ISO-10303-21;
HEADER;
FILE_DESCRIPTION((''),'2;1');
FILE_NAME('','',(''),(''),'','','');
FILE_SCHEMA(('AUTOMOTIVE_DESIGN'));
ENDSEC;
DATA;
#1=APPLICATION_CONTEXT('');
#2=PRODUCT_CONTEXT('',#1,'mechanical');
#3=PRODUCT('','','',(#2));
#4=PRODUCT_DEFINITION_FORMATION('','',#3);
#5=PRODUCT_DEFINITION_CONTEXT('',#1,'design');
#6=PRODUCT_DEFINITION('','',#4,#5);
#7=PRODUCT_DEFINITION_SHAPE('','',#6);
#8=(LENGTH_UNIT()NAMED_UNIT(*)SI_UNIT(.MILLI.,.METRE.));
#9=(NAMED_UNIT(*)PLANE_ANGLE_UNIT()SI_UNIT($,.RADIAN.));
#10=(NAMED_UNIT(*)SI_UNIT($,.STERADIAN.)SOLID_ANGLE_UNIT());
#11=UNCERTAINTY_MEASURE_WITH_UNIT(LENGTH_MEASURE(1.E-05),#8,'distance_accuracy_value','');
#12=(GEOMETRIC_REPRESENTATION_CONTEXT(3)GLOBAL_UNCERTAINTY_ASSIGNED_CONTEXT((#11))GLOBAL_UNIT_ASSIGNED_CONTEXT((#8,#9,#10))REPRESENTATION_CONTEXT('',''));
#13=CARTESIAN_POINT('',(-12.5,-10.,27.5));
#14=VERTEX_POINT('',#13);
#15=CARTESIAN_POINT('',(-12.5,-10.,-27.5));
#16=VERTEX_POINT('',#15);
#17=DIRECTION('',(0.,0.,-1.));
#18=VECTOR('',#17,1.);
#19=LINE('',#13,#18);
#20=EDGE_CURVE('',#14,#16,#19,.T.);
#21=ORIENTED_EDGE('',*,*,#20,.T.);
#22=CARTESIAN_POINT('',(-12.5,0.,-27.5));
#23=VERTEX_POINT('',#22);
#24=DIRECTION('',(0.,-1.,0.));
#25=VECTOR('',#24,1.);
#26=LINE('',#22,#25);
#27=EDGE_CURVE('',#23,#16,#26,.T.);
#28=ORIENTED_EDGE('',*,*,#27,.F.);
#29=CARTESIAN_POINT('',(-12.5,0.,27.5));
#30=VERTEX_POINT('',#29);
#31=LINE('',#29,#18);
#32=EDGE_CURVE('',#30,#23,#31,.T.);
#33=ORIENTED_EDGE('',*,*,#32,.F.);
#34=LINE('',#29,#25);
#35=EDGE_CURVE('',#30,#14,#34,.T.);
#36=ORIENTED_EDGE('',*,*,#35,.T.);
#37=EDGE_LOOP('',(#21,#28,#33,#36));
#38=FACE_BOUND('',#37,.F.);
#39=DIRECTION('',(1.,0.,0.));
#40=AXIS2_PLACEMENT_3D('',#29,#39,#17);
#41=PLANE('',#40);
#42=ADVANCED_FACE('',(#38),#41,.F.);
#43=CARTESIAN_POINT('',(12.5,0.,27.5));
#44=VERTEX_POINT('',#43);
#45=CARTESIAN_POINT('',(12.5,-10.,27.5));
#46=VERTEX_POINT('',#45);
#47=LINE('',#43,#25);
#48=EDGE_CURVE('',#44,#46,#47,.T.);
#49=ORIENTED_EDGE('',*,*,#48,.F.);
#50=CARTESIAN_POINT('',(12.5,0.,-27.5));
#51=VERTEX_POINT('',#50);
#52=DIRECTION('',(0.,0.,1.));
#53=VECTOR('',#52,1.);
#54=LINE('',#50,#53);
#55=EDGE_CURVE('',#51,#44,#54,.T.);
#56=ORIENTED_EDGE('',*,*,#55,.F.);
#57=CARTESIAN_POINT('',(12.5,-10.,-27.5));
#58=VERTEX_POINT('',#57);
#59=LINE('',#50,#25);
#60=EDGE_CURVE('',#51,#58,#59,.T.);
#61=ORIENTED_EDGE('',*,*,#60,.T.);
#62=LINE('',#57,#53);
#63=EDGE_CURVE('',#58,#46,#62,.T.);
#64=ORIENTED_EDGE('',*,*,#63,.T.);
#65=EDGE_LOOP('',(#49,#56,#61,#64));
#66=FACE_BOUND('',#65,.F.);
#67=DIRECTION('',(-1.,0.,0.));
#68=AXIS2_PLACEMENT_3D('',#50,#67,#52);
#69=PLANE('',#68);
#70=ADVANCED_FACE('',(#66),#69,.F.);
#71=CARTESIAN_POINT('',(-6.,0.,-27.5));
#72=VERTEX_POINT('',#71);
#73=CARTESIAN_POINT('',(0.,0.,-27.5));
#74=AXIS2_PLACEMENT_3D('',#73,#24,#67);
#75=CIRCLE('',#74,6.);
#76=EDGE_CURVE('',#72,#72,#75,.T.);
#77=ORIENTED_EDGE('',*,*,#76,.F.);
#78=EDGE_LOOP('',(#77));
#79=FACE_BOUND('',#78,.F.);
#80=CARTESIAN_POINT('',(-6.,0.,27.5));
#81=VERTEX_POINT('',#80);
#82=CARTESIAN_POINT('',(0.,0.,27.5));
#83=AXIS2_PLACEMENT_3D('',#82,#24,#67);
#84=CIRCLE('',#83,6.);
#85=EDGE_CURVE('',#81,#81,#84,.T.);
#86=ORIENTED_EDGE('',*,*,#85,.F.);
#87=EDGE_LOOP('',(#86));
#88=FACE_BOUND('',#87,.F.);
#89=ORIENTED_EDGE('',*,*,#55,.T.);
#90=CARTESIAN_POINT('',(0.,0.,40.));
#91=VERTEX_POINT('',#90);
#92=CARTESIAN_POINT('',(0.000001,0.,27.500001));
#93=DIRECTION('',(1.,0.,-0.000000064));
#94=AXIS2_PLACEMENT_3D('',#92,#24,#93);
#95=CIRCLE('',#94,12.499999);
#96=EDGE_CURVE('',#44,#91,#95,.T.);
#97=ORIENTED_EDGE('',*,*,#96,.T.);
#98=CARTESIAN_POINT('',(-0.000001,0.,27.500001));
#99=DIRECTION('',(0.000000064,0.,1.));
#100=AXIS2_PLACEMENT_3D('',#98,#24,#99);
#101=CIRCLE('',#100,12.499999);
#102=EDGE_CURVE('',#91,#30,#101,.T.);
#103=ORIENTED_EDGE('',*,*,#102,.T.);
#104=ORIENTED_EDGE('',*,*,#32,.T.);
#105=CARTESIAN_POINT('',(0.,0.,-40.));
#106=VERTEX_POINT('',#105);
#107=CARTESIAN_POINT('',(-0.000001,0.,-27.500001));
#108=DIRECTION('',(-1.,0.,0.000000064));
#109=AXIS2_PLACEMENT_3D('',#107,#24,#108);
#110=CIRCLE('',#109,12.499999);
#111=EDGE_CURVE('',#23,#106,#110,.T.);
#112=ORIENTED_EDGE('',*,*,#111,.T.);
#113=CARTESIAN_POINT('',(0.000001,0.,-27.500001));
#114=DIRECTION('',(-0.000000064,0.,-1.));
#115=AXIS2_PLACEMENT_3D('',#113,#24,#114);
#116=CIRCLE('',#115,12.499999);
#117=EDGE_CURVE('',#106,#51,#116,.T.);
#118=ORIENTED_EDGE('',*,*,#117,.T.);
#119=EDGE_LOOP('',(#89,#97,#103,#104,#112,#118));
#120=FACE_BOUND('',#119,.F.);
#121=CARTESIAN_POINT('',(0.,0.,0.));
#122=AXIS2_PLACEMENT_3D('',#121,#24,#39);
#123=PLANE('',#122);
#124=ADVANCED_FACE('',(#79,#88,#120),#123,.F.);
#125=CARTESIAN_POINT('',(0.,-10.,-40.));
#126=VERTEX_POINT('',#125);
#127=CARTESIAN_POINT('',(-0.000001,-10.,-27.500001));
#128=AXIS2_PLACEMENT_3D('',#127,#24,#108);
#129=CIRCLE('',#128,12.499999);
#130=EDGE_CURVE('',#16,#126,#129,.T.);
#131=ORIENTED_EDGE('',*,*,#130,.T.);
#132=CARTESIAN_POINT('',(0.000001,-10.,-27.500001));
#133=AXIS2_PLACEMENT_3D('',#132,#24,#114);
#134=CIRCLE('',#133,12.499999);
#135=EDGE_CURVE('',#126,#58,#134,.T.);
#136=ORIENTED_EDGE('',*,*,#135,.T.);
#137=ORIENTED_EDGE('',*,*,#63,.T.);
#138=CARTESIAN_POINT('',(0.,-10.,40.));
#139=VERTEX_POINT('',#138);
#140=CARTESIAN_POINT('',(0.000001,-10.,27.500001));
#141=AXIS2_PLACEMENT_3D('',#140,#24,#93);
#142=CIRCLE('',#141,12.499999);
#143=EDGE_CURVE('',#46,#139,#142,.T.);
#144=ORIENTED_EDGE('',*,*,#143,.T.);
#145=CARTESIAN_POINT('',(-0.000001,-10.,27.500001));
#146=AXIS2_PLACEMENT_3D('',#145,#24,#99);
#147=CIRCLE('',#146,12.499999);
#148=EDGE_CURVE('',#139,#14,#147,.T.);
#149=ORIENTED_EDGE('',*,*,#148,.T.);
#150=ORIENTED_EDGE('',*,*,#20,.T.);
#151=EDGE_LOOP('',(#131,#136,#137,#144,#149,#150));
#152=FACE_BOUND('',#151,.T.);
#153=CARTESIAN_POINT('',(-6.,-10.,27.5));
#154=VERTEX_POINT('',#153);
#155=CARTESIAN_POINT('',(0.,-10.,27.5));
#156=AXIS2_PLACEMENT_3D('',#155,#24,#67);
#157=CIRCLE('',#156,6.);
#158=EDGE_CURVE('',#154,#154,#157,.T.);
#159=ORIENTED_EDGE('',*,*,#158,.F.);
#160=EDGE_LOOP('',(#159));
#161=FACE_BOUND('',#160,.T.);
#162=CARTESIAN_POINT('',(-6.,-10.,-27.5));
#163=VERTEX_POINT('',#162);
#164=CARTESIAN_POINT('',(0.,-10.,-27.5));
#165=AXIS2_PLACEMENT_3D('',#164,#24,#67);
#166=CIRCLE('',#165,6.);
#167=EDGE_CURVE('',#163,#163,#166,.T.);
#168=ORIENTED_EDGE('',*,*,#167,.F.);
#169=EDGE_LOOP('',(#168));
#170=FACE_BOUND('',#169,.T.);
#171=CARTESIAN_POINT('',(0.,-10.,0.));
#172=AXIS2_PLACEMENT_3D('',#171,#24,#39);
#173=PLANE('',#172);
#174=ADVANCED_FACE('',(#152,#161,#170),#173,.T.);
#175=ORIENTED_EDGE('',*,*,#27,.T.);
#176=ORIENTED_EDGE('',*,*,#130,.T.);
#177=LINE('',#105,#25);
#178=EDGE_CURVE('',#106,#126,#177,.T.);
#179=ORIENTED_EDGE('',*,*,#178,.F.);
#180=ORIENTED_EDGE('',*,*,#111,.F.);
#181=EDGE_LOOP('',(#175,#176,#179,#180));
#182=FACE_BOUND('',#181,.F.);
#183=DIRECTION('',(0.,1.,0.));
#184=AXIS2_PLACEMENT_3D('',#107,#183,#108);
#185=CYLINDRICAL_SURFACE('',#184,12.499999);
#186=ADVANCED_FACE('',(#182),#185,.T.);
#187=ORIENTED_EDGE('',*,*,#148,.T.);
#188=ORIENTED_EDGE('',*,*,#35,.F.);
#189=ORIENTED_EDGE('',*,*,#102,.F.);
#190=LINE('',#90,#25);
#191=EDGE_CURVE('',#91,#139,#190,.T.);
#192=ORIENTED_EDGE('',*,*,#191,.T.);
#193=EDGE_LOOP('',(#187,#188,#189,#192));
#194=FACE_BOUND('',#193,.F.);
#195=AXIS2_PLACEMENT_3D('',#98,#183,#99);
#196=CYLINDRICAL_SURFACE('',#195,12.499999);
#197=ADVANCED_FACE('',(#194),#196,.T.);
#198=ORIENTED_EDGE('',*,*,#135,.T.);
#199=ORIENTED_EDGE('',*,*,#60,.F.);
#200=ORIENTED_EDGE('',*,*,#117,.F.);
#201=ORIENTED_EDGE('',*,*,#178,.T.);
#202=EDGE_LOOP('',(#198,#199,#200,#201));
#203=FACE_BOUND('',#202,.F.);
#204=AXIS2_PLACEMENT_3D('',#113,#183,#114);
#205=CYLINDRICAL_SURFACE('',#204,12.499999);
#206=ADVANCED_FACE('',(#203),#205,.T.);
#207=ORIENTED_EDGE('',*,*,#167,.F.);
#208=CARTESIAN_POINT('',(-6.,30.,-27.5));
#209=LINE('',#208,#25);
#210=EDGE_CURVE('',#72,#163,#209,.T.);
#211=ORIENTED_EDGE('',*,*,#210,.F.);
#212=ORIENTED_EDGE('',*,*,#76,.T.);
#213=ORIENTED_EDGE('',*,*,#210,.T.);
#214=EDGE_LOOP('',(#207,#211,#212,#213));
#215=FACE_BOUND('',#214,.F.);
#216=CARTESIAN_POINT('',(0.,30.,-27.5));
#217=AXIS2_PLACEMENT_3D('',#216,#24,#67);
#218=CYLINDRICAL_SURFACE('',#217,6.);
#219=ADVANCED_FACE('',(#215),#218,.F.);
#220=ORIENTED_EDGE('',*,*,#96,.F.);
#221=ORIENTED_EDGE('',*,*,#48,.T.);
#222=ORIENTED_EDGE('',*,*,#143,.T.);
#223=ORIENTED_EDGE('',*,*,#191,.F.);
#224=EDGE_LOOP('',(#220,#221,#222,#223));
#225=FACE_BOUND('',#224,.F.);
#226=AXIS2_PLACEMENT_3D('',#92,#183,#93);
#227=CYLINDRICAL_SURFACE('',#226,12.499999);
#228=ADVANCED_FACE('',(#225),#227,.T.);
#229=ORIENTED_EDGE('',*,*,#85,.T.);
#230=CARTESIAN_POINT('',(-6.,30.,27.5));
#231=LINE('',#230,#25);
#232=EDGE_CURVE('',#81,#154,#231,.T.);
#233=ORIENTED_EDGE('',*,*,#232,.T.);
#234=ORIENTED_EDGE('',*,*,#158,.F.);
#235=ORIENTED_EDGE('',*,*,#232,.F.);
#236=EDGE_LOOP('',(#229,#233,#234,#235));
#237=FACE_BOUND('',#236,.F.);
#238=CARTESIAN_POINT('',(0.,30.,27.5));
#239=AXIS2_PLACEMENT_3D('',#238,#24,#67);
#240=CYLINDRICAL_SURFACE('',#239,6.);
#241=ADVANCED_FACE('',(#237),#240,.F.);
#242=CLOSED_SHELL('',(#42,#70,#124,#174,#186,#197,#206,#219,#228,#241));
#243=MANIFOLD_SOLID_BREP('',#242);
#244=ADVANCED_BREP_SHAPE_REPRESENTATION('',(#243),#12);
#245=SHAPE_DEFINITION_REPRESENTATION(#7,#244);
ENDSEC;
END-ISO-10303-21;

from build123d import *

# Parameters (mm, degrees)
F1_DEPTH = 10
F2_D     = 12
F2_DEPTH = 30


with BuildPart() as f1:
    # F0 (on Front) → F1 (new body)
    with BuildSketch(Plane.XZ):
        with BuildLine():
            ThreePointArc((0, -40), (8.838835, -36.338835), (12.5, -27.5))
            Line((12.5, -27.5), (12.5, 27.5))
            ThreePointArc((12.5, 27.5), (8.838835, 36.338835), (0, 40))
            ThreePointArc((0, 40), (-8.838835, 36.338835), (-12.5, 27.5))
            Line((-12.5, 27.5), (-12.5, -27.5))
            ThreePointArc((-12.5, -27.5), (-8.838835, -36.338835), (0, -40))
        make_face()
    extrude(amount=F1_DEPTH)

    # F2
    with Locations(Plane(origin=(0, 0, 0), x_dir=(1, 0, 0), z_dir=(0, 1, 0))):
        with Locations((0, 27.5), (0, -27.5)):
            Hole(F2_D / 2, depth=F2_DEPTH)


solid = f1.part
